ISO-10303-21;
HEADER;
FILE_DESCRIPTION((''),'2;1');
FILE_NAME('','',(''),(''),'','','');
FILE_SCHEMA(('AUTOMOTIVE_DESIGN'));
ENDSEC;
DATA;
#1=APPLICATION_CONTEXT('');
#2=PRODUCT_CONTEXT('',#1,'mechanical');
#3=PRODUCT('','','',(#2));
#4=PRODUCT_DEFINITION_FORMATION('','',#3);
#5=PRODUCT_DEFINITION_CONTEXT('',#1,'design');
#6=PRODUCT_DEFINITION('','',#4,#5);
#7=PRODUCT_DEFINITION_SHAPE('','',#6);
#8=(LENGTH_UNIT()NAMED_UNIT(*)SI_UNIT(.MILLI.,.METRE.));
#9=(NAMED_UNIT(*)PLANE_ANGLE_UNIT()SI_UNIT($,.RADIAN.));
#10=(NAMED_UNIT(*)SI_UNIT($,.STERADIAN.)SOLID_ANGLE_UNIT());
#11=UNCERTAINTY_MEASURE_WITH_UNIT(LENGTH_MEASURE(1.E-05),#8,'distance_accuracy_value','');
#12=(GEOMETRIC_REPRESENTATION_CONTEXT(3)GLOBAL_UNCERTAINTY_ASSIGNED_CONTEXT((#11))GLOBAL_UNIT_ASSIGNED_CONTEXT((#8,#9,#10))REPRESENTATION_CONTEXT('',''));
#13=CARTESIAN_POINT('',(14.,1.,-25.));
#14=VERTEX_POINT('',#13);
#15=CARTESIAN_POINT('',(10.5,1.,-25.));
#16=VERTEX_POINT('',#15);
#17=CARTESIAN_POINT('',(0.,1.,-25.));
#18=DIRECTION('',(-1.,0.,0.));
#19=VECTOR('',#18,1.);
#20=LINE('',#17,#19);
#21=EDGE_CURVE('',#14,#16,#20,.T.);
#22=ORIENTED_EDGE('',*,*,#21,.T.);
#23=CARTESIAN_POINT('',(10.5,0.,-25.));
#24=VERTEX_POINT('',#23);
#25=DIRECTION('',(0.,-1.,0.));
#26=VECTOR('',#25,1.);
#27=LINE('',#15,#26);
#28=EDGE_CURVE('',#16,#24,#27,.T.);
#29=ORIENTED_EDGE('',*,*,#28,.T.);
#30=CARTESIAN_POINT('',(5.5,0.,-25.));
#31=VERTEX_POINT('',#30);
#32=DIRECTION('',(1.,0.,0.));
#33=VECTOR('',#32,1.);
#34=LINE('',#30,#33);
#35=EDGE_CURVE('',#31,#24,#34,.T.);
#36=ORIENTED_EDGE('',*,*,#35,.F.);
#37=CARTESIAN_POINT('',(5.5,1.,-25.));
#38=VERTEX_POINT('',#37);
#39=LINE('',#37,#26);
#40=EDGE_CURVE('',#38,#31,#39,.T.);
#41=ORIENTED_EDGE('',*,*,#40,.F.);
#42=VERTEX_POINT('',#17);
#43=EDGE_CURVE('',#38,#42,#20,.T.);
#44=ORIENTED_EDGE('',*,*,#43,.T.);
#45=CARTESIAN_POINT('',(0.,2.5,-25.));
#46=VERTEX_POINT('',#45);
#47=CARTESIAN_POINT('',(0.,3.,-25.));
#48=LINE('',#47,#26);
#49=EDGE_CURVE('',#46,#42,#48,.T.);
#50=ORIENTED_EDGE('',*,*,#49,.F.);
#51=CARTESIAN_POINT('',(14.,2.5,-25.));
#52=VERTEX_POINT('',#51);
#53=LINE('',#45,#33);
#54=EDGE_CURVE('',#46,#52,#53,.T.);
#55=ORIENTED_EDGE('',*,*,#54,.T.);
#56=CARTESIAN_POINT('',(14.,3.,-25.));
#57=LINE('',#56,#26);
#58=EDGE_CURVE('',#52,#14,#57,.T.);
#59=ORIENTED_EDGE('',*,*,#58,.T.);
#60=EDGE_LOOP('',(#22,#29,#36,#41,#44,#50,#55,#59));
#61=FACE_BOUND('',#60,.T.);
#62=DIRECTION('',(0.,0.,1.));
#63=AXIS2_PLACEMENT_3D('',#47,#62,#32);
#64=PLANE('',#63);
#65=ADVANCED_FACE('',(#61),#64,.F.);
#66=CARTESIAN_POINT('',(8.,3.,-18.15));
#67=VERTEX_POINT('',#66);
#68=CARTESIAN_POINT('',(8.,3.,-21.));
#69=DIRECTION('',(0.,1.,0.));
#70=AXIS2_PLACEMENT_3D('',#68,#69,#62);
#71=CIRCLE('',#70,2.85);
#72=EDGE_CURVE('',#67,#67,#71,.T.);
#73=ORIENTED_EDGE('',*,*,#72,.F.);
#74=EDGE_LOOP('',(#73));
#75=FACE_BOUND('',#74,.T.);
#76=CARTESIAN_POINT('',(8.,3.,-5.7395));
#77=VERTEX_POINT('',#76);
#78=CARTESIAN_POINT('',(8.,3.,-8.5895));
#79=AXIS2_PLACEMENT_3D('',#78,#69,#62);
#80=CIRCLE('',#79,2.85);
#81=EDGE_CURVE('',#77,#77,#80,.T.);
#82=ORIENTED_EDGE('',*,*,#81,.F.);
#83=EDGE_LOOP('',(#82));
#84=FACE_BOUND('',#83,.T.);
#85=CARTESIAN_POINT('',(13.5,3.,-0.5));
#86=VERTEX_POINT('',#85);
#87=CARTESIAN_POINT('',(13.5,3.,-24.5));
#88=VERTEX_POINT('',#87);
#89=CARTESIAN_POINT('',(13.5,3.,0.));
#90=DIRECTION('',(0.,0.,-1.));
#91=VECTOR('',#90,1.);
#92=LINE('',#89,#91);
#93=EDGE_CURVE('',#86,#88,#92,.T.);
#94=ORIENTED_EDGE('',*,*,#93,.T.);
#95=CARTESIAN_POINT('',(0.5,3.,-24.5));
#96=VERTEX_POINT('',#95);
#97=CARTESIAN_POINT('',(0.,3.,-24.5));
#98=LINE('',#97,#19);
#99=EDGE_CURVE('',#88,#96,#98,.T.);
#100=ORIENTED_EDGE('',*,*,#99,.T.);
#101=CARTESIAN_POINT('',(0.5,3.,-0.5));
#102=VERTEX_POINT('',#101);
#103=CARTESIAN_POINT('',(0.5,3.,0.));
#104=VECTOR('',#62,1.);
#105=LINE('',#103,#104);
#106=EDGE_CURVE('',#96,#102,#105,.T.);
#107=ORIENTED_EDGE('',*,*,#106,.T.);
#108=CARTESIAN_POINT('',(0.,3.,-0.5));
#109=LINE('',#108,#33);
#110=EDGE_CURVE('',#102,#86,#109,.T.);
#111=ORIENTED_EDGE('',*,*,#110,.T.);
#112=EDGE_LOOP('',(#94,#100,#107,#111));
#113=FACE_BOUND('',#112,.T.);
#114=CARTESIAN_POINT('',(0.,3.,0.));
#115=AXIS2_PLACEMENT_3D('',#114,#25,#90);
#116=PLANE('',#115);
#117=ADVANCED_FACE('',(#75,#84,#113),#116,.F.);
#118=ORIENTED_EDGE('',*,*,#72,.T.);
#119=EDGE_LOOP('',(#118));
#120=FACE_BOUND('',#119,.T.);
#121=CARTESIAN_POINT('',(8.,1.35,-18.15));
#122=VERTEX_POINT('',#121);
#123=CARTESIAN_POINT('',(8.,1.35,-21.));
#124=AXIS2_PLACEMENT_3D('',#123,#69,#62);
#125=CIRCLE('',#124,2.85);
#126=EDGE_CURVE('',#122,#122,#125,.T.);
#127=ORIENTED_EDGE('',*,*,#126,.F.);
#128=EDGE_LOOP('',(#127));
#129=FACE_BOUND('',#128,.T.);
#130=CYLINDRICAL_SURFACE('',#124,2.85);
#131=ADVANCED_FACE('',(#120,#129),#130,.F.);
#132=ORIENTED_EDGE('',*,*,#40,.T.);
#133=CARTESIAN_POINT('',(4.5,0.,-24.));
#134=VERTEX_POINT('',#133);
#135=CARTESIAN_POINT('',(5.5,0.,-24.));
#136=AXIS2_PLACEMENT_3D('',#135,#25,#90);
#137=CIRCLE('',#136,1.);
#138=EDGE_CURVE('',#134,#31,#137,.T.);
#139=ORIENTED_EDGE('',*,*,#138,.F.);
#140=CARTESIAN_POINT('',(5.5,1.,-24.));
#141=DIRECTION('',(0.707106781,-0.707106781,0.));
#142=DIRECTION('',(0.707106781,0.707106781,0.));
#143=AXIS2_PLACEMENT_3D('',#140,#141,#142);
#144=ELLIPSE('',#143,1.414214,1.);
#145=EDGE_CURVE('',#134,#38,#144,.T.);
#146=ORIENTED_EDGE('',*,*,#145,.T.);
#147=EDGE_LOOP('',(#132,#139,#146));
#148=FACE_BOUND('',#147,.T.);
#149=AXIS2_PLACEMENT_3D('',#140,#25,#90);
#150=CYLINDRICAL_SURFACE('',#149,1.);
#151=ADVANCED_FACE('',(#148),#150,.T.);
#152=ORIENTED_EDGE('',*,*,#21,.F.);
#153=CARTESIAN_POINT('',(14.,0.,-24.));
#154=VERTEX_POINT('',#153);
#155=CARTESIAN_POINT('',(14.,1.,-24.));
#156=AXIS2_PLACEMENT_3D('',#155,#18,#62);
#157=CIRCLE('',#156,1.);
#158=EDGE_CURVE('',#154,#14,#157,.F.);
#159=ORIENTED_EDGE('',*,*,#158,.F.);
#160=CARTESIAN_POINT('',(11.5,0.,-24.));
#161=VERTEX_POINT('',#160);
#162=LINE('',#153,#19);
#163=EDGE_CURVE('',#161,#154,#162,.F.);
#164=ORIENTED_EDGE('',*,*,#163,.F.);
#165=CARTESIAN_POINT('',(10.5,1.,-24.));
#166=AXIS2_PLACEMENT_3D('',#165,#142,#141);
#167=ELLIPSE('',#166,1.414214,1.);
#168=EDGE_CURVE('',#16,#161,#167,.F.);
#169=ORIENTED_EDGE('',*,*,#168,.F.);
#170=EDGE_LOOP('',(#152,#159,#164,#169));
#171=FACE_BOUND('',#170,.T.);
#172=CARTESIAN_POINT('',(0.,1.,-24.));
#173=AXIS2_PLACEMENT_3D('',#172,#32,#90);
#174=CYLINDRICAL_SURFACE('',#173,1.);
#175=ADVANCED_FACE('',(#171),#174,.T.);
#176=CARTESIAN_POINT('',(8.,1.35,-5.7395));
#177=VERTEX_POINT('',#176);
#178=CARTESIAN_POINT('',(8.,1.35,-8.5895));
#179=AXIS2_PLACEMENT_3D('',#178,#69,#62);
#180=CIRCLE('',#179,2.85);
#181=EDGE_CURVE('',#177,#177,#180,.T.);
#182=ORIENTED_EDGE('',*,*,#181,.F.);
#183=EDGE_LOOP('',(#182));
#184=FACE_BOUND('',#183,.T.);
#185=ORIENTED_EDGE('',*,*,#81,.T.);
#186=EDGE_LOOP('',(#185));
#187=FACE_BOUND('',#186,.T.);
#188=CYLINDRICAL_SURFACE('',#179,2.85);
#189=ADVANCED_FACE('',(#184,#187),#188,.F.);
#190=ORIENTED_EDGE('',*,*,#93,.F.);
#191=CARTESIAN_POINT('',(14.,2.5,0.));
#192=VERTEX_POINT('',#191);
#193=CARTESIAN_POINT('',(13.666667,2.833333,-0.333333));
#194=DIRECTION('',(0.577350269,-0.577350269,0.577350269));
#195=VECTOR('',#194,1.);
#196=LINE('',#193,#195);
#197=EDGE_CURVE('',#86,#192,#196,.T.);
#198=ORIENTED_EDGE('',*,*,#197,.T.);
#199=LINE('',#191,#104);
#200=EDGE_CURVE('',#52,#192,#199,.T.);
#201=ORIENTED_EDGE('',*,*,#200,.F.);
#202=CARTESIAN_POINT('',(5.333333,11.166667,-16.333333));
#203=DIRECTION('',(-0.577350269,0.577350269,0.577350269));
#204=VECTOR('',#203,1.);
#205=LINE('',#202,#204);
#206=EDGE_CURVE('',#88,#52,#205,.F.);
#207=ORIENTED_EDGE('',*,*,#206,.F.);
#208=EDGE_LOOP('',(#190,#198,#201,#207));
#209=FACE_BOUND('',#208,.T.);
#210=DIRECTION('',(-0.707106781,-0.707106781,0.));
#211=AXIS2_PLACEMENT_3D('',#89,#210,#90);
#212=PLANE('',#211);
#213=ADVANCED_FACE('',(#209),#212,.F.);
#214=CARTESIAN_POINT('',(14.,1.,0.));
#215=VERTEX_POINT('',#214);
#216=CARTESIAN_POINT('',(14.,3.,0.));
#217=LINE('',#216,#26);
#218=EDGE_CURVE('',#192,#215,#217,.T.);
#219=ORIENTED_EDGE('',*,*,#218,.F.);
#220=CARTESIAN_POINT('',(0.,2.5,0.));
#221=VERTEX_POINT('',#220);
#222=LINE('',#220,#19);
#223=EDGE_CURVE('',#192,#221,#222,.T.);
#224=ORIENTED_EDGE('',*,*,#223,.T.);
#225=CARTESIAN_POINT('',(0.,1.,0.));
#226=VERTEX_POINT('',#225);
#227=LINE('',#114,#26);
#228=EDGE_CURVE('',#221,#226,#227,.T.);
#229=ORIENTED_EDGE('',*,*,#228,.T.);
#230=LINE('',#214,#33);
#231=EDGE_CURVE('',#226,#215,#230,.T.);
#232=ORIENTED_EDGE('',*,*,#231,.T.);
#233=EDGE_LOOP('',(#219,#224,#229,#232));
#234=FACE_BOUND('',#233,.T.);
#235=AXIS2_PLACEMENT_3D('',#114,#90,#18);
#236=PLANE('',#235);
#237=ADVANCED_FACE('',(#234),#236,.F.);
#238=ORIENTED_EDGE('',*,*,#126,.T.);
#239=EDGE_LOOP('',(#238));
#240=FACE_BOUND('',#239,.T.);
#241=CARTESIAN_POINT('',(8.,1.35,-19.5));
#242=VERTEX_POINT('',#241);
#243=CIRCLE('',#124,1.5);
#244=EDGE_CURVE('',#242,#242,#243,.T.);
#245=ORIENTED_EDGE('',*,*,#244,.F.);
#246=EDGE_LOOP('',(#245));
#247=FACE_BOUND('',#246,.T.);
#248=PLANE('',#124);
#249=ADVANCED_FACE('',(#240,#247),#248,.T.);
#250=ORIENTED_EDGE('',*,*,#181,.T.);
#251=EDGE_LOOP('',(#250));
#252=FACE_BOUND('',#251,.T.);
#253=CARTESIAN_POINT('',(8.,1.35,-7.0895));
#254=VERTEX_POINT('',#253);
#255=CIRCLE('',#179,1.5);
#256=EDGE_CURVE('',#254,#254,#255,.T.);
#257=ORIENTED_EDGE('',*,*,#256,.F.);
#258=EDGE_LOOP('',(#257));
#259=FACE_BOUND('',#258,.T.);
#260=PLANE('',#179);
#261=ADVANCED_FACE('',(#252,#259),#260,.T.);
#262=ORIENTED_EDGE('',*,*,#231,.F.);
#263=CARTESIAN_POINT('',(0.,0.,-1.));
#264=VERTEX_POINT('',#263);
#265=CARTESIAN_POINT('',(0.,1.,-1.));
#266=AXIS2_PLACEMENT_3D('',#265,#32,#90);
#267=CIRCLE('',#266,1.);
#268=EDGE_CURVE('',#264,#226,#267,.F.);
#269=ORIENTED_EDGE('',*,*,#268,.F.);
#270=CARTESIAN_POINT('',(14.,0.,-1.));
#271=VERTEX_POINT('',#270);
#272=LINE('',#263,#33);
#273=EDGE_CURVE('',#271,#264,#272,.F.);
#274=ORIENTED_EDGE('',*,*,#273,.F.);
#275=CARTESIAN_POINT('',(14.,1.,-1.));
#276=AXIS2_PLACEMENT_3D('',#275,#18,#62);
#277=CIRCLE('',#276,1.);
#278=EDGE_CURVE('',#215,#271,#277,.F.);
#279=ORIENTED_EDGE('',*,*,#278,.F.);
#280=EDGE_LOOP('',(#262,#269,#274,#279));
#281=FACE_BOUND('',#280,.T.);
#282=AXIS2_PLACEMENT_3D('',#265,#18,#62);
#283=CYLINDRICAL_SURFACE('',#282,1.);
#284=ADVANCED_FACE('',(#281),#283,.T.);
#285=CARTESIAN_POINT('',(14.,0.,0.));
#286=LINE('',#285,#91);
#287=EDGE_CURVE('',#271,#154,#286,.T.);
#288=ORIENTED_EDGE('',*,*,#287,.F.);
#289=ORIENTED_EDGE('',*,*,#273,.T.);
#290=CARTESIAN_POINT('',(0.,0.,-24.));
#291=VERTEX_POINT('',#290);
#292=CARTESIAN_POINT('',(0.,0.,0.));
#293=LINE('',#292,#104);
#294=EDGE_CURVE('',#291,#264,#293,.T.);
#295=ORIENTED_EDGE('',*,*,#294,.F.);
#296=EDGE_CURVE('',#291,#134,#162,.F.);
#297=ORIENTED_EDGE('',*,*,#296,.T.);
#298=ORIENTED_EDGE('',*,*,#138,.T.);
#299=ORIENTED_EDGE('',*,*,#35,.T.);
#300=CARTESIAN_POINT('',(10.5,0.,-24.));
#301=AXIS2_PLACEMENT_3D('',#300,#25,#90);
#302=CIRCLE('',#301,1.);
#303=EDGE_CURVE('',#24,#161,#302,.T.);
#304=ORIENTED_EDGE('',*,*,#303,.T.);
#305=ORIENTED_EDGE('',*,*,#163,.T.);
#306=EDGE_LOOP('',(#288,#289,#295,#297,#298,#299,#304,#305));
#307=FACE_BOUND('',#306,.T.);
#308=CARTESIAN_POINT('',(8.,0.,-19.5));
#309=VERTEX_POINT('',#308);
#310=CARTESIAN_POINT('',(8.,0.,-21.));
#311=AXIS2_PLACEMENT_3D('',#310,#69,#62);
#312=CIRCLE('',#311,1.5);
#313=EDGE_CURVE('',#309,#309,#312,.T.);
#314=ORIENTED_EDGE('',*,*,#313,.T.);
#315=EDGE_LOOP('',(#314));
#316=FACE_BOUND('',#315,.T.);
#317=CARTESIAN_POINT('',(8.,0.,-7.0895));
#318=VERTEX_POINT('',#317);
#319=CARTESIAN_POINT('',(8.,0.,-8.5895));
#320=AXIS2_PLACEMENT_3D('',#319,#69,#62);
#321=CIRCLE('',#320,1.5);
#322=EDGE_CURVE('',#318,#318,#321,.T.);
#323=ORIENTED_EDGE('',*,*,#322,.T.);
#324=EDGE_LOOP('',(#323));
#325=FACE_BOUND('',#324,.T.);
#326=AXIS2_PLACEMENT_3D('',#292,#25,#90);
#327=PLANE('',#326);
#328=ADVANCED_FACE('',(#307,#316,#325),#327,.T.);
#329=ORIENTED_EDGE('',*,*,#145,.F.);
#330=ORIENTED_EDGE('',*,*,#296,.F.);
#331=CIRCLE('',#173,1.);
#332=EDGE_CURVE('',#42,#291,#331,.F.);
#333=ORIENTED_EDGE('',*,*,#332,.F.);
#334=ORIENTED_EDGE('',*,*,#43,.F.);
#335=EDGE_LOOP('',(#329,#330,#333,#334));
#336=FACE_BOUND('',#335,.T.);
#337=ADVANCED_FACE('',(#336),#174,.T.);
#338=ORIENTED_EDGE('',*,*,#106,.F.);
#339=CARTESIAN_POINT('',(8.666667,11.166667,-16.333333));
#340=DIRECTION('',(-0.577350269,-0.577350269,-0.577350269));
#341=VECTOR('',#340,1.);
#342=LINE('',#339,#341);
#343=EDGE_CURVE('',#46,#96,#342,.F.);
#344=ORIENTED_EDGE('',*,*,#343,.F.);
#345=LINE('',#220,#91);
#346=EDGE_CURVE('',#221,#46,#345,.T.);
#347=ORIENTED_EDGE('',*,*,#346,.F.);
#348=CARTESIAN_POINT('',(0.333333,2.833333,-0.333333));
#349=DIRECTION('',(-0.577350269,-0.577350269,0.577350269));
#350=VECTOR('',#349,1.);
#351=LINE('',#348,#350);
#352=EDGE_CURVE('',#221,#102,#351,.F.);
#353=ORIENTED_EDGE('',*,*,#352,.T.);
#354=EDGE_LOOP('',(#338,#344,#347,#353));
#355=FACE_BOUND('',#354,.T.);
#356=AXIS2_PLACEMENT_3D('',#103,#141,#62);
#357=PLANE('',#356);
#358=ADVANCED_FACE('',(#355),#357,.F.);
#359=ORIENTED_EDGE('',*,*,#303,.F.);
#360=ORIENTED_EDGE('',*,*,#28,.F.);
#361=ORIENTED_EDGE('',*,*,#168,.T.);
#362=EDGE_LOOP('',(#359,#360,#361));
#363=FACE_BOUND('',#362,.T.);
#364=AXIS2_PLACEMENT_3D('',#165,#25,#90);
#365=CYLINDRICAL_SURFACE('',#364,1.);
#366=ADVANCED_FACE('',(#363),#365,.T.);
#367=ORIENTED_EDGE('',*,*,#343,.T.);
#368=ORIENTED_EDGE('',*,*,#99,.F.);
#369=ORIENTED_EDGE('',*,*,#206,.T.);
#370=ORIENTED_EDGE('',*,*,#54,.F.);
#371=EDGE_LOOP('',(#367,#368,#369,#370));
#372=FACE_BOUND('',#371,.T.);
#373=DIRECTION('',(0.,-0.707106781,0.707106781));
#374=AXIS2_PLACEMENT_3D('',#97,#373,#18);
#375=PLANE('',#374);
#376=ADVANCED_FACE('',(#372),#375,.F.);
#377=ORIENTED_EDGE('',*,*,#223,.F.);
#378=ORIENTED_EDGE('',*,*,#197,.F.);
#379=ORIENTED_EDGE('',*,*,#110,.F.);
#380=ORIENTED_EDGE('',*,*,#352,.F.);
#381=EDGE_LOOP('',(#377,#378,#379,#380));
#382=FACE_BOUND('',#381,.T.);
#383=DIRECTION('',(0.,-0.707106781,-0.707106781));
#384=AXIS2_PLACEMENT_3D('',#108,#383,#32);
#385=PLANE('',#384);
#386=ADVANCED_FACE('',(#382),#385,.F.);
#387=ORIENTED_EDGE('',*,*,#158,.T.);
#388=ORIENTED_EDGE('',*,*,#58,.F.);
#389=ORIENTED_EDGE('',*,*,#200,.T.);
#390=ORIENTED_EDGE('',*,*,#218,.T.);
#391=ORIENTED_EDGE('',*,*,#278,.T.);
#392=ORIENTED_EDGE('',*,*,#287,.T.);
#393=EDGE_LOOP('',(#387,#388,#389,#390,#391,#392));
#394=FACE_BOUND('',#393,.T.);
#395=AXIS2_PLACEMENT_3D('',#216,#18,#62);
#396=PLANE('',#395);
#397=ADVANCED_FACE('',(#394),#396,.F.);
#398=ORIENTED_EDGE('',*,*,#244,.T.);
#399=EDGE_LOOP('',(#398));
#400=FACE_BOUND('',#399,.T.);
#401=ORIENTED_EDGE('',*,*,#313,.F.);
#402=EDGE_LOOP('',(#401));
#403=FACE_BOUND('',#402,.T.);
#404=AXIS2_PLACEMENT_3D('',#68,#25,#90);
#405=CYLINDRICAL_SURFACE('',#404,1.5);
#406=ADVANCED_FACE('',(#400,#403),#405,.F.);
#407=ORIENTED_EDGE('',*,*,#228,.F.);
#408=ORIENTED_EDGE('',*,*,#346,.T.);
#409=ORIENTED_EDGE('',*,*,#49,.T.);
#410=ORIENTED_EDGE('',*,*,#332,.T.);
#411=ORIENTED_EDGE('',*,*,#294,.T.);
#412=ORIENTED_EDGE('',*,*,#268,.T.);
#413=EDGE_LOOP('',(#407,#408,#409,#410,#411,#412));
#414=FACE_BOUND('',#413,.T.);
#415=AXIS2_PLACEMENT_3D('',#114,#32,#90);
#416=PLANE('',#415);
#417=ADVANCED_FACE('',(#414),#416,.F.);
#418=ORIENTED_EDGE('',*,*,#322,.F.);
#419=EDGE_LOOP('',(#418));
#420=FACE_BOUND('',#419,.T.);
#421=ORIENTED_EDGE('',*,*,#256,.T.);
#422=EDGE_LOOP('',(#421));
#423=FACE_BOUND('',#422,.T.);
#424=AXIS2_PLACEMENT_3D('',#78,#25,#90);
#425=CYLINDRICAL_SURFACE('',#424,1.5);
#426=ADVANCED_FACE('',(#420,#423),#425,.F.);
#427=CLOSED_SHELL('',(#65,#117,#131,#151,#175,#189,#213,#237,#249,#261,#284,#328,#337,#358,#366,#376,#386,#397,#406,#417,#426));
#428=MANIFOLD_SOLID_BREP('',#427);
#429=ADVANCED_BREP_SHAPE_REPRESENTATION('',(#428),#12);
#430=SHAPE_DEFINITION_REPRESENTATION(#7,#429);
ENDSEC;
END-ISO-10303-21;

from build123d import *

# Parameters (mm, degrees)
SKETCH1_W           = 14
SKETCH1_H           = 25
SKETCH1_R           = 1.5
BOSS_EXTRUDE1_DEPTH = 3
CHAMFER1_SIZE       = 0.5
FILLET1_R           = 1
SKETCH2_R           = 2.85
CUT_EXTRUDE1_DEPTH  = 1.65
BOSS_EXTRUDE2_START = -1
BOSS_EXTRUDE2_DEPTH = 1


with BuildPart() as part:
    # Sketch1 → Boss-Extrude1 (new body)
    with BuildSketch(Plane(origin=(0, 0, 0), x_dir=(1, 0, 0), z_dir=(0, 1, 0))):
        with Locations((7, 12.5)):
            Rectangle(SKETCH1_W, SKETCH1_H)
        with Locations((8, 21)):
            Circle(SKETCH1_R, mode=Mode.SUBTRACT)
        with Locations((8, 8.5895)):
            Circle(SKETCH1_R, mode=Mode.SUBTRACT)
    extrude(amount=BOSS_EXTRUDE1_DEPTH)

    # Chamfer1
    chamfer1_edges = [part.edges().sort_by_distance(p)[0] for p in [
        (14, 3, -12.5),
        (7, 3, -25),
        (0, 3, -12.5),
        (7, 3, 0),
    ]]
    chamfer(chamfer1_edges, length=CHAMFER1_SIZE)

    # Fillet1
    fillet1_edges = [part.edges().sort_by_distance(p)[0] for p in [
        (7, 0, -25),
        (7, 0, 0),
    ]]
    fillet(fillet1_edges, radius=FILLET1_R)

    # Sketch2 → Cut-Extrude1 (cut)
    with BuildSketch(Plane(origin=(0, 3, 0), x_dir=(1, 0, 0), z_dir=(0, 1, 0))):
        with Locations((8, 21)):
            Circle(SKETCH2_R)
        with Locations((8, 8.5895)):
            Circle(SKETCH2_R)
    extrude(amount=-CUT_EXTRUDE1_DEPTH, mode=Mode.SUBTRACT)

    # Sketch3 → Boss-Extrude2 (add)
    with BuildSketch(Plane.XZ.offset(BOSS_EXTRUDE2_START)):
        with BuildLine():
            ThreePointArc((4.5, -24), (4.792893219, -24.707106781), (5.5, -25))
            Line((5.5, -25), (10.5, -25))
            ThreePointArc((10.5, -25), (11.207106781, -24.707106781), (11.5, -24))
            Line((11.5, -24), (4.5, -24))
        make_face()
    extrude(amount=BOSS_EXTRUDE2_DEPTH)


solid = part.part
